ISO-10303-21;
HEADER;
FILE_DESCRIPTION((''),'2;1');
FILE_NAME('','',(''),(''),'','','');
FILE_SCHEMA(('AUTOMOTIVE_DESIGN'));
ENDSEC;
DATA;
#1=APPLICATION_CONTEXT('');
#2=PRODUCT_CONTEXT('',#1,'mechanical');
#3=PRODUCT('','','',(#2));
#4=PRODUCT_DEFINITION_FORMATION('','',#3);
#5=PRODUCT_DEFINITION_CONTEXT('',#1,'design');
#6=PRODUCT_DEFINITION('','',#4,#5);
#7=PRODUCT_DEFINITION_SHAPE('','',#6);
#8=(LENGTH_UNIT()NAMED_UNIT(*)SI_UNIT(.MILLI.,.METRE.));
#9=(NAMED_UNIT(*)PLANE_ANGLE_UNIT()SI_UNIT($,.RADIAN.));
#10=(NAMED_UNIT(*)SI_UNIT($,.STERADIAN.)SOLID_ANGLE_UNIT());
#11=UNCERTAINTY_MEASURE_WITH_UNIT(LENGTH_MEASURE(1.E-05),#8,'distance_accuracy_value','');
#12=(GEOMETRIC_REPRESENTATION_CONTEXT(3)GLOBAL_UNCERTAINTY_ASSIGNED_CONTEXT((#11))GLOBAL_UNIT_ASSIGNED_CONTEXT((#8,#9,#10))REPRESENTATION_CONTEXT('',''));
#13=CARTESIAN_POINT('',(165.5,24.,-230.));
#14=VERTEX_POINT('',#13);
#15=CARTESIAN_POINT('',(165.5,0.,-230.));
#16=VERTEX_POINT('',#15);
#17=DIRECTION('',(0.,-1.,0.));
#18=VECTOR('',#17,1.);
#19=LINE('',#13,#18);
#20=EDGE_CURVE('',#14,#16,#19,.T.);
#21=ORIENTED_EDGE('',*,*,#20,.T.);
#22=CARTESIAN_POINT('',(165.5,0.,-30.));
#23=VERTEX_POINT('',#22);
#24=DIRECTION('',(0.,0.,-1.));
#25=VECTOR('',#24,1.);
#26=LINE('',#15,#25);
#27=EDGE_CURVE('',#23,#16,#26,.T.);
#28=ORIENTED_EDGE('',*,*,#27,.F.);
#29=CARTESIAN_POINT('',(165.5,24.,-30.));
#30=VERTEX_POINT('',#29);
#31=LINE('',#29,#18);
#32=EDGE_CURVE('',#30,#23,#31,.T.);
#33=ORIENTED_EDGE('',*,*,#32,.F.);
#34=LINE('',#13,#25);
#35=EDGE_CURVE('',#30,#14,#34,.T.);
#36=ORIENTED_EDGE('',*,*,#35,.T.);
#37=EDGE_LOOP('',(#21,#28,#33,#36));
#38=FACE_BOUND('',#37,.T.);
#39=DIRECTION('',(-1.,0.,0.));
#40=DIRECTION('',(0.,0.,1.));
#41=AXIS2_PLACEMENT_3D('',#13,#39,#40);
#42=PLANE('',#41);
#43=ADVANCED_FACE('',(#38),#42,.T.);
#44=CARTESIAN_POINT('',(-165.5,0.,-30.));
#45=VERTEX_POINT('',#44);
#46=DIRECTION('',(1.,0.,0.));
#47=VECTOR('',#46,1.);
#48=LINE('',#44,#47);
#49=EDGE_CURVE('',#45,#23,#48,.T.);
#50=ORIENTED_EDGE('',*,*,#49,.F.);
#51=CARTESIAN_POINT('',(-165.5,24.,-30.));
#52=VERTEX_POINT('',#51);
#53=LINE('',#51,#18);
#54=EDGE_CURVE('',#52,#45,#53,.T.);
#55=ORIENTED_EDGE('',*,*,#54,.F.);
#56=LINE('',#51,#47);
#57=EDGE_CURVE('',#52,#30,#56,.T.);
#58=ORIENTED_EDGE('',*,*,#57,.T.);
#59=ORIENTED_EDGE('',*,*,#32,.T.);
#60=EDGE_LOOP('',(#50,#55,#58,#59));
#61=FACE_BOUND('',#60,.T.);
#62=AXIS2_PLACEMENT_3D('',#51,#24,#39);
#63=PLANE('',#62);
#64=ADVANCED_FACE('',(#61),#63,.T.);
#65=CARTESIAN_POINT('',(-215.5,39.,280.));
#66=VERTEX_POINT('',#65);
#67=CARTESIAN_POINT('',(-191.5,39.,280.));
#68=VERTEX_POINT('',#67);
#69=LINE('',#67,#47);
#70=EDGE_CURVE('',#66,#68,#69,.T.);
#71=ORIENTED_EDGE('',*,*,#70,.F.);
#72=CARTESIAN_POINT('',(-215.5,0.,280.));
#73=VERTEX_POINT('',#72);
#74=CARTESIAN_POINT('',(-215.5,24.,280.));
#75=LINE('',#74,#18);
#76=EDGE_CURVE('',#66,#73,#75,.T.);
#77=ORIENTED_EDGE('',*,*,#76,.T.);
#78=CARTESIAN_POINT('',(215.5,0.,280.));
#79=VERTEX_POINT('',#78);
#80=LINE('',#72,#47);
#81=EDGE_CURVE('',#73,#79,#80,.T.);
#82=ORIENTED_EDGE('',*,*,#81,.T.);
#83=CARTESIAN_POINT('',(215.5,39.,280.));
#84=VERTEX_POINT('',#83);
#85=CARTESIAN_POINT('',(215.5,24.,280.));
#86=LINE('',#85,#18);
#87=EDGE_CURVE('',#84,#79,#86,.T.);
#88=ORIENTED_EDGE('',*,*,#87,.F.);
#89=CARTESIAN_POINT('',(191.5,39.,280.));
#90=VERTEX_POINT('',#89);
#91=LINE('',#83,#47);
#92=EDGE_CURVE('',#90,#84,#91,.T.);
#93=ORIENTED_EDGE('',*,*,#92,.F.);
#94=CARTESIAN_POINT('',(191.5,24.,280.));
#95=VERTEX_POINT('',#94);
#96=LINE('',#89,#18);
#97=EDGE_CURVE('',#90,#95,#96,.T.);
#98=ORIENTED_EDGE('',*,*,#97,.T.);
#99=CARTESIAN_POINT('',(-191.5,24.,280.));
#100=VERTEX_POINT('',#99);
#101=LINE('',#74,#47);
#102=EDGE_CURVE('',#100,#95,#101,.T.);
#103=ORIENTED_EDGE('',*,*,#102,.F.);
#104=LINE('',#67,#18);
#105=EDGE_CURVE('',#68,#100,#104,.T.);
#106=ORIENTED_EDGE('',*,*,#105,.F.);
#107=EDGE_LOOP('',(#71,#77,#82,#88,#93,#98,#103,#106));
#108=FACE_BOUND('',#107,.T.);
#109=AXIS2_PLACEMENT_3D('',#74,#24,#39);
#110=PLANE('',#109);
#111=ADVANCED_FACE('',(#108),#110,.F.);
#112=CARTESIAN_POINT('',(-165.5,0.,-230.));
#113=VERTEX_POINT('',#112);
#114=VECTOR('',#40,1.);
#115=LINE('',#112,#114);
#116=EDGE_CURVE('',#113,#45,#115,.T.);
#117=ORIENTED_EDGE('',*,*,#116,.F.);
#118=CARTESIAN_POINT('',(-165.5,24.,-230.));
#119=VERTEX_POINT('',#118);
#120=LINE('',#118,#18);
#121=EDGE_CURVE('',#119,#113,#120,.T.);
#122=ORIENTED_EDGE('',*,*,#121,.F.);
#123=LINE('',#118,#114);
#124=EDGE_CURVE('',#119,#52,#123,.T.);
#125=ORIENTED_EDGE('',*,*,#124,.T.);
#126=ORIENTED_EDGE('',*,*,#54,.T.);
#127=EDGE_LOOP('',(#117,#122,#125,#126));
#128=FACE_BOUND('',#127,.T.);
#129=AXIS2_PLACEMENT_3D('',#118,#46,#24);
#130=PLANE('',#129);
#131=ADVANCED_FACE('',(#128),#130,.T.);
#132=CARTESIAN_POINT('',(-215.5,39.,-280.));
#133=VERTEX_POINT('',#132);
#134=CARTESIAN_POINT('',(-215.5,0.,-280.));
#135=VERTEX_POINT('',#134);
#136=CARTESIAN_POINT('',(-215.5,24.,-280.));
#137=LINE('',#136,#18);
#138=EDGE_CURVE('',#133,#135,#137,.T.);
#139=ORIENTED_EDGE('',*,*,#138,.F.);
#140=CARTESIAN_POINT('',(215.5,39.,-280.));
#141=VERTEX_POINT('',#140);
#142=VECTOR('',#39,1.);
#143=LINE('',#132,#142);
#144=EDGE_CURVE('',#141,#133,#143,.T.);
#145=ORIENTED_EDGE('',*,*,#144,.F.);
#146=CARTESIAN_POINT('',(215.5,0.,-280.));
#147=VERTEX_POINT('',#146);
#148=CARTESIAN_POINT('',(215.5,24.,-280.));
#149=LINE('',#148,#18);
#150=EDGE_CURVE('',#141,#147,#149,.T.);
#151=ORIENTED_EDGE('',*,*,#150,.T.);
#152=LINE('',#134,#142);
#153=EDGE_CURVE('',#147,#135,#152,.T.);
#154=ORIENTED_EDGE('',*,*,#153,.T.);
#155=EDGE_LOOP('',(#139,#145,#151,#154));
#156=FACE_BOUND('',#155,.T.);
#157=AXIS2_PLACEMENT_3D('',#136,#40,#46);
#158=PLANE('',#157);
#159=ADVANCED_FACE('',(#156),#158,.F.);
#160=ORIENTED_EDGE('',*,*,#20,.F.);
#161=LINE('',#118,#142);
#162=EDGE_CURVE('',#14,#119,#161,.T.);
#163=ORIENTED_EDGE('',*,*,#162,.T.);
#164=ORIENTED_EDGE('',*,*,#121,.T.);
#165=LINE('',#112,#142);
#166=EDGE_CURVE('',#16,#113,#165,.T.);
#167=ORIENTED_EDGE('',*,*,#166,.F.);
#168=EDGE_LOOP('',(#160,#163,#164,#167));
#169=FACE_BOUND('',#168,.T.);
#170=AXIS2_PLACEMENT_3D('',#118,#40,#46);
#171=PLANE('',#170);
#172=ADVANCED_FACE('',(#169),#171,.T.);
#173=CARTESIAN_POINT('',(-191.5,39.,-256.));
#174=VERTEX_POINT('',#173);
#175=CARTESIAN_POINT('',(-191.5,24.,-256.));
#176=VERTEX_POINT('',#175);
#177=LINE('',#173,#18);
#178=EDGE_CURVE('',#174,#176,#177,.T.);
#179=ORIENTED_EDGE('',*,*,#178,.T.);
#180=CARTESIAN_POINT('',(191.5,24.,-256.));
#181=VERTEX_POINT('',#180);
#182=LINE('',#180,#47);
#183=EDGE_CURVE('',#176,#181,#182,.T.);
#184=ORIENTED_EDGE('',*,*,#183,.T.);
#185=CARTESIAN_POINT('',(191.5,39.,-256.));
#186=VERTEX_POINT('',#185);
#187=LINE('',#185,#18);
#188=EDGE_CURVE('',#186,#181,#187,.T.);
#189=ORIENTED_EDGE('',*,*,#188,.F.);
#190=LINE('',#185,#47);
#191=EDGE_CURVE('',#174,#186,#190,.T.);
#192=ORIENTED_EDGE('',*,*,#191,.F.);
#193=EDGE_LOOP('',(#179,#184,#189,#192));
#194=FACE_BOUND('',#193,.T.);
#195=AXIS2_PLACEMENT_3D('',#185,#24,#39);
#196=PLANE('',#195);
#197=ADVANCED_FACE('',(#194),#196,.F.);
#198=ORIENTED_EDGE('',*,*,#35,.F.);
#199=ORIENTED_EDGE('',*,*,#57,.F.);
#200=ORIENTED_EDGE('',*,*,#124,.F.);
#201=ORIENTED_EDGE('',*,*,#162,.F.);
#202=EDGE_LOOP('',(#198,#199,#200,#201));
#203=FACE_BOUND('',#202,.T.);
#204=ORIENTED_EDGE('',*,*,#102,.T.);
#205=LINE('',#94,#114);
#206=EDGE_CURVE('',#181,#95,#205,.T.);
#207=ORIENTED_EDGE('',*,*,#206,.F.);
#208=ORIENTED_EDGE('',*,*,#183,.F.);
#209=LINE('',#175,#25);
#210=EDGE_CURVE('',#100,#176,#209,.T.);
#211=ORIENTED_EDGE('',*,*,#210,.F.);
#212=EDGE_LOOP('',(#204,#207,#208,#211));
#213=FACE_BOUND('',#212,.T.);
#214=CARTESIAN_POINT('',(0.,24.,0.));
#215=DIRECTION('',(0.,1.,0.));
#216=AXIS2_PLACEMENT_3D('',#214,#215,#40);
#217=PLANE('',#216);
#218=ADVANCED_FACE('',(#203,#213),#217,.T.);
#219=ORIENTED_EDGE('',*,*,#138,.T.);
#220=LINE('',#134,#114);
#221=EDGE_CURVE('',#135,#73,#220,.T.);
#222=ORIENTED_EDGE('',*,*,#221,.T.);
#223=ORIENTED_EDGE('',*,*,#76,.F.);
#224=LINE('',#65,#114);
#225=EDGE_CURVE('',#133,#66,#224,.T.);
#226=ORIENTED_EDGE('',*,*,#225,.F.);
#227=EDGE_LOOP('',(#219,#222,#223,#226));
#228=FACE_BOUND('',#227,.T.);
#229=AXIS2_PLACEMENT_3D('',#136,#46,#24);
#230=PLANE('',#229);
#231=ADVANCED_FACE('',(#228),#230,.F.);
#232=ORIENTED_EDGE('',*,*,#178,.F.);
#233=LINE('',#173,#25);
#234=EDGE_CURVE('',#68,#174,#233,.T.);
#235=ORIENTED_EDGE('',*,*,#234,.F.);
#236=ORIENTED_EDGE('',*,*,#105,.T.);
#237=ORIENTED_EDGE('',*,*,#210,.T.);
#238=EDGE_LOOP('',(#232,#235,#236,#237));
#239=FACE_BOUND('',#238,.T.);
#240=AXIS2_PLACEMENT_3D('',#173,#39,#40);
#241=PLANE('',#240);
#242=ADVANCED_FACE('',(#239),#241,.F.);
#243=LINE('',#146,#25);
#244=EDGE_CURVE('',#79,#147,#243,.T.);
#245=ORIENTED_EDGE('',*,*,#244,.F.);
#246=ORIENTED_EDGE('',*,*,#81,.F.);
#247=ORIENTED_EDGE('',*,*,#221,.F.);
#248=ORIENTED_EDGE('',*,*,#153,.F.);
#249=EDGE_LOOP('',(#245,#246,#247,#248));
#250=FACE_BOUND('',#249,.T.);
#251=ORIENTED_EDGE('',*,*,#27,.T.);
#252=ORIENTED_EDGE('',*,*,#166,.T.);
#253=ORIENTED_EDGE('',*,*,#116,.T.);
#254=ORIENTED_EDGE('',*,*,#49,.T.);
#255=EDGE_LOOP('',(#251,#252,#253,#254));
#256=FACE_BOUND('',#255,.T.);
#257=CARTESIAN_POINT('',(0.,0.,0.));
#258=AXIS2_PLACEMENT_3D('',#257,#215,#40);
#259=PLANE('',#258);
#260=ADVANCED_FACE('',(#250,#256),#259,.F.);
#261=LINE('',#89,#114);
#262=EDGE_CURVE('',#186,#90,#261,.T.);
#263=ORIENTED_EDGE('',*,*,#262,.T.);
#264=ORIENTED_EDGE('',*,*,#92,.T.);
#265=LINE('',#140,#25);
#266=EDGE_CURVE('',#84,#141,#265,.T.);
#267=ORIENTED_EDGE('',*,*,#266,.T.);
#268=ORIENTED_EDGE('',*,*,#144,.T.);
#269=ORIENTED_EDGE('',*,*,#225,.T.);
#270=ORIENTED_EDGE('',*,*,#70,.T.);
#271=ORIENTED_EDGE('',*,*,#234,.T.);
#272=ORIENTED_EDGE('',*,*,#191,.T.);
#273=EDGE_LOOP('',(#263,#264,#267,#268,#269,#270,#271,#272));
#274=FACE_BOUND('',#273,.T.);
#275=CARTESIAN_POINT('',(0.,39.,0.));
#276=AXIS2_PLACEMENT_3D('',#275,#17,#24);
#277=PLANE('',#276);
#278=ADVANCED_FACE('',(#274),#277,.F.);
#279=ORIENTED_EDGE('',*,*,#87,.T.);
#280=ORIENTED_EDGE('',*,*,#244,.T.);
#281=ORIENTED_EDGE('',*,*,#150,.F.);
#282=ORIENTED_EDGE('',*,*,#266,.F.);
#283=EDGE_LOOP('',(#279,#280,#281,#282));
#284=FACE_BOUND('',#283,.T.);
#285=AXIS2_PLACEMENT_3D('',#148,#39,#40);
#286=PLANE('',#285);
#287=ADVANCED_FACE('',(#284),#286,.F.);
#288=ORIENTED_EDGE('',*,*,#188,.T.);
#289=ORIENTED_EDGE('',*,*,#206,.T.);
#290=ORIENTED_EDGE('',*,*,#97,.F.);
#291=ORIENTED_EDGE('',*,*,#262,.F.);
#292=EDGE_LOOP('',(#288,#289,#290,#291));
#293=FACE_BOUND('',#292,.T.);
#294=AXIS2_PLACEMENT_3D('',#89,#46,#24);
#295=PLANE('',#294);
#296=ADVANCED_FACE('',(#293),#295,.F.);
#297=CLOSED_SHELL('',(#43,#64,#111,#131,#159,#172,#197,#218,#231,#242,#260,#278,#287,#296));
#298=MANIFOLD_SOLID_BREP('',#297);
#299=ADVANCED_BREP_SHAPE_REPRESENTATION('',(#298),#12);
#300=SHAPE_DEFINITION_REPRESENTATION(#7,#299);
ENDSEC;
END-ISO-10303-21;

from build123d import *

# Parameters (mm, degrees)
ESQUISSE1_W        = 431
ESQUISSE1_H        = 560
ESQUISSE1_W_2      = 331
ESQUISSE1_H_2      = 200
BOSS_EXTRU_1_DEPTH = 24
BOSS_EXTRU_2_DEPTH = 15


with BuildPart() as part:
    # Esquisse1 → Boss.-Extru.1 (new body)
    with BuildSketch(Plane(origin=(0, 0, 0), x_dir=(1, 0, 0), z_dir=(0, 1, 0))):
        Rectangle(ESQUISSE1_W, ESQUISSE1_H)
        with Locations((0, 130)):
            Rectangle(ESQUISSE1_W_2, ESQUISSE1_H_2, mode=Mode.SUBTRACT)
    extrude(amount=BOSS_EXTRU_1_DEPTH)

    # Esquisse2 → Boss.-Extru.2 (add)
    with BuildSketch(Plane(origin=(0, 24, 0), x_dir=(1, 0, 0), z_dir=(0, 1, 0))):
        Polygon((-215.5, 280), (215.5, 280), (215.5, -280), (191.5, -280), (191.5, 256), (-191.5, 256), (-191.5, -280), (-215.5, -280), align=None)
    extrude(amount=BOSS_EXTRU_2_DEPTH)


solid = part.part
